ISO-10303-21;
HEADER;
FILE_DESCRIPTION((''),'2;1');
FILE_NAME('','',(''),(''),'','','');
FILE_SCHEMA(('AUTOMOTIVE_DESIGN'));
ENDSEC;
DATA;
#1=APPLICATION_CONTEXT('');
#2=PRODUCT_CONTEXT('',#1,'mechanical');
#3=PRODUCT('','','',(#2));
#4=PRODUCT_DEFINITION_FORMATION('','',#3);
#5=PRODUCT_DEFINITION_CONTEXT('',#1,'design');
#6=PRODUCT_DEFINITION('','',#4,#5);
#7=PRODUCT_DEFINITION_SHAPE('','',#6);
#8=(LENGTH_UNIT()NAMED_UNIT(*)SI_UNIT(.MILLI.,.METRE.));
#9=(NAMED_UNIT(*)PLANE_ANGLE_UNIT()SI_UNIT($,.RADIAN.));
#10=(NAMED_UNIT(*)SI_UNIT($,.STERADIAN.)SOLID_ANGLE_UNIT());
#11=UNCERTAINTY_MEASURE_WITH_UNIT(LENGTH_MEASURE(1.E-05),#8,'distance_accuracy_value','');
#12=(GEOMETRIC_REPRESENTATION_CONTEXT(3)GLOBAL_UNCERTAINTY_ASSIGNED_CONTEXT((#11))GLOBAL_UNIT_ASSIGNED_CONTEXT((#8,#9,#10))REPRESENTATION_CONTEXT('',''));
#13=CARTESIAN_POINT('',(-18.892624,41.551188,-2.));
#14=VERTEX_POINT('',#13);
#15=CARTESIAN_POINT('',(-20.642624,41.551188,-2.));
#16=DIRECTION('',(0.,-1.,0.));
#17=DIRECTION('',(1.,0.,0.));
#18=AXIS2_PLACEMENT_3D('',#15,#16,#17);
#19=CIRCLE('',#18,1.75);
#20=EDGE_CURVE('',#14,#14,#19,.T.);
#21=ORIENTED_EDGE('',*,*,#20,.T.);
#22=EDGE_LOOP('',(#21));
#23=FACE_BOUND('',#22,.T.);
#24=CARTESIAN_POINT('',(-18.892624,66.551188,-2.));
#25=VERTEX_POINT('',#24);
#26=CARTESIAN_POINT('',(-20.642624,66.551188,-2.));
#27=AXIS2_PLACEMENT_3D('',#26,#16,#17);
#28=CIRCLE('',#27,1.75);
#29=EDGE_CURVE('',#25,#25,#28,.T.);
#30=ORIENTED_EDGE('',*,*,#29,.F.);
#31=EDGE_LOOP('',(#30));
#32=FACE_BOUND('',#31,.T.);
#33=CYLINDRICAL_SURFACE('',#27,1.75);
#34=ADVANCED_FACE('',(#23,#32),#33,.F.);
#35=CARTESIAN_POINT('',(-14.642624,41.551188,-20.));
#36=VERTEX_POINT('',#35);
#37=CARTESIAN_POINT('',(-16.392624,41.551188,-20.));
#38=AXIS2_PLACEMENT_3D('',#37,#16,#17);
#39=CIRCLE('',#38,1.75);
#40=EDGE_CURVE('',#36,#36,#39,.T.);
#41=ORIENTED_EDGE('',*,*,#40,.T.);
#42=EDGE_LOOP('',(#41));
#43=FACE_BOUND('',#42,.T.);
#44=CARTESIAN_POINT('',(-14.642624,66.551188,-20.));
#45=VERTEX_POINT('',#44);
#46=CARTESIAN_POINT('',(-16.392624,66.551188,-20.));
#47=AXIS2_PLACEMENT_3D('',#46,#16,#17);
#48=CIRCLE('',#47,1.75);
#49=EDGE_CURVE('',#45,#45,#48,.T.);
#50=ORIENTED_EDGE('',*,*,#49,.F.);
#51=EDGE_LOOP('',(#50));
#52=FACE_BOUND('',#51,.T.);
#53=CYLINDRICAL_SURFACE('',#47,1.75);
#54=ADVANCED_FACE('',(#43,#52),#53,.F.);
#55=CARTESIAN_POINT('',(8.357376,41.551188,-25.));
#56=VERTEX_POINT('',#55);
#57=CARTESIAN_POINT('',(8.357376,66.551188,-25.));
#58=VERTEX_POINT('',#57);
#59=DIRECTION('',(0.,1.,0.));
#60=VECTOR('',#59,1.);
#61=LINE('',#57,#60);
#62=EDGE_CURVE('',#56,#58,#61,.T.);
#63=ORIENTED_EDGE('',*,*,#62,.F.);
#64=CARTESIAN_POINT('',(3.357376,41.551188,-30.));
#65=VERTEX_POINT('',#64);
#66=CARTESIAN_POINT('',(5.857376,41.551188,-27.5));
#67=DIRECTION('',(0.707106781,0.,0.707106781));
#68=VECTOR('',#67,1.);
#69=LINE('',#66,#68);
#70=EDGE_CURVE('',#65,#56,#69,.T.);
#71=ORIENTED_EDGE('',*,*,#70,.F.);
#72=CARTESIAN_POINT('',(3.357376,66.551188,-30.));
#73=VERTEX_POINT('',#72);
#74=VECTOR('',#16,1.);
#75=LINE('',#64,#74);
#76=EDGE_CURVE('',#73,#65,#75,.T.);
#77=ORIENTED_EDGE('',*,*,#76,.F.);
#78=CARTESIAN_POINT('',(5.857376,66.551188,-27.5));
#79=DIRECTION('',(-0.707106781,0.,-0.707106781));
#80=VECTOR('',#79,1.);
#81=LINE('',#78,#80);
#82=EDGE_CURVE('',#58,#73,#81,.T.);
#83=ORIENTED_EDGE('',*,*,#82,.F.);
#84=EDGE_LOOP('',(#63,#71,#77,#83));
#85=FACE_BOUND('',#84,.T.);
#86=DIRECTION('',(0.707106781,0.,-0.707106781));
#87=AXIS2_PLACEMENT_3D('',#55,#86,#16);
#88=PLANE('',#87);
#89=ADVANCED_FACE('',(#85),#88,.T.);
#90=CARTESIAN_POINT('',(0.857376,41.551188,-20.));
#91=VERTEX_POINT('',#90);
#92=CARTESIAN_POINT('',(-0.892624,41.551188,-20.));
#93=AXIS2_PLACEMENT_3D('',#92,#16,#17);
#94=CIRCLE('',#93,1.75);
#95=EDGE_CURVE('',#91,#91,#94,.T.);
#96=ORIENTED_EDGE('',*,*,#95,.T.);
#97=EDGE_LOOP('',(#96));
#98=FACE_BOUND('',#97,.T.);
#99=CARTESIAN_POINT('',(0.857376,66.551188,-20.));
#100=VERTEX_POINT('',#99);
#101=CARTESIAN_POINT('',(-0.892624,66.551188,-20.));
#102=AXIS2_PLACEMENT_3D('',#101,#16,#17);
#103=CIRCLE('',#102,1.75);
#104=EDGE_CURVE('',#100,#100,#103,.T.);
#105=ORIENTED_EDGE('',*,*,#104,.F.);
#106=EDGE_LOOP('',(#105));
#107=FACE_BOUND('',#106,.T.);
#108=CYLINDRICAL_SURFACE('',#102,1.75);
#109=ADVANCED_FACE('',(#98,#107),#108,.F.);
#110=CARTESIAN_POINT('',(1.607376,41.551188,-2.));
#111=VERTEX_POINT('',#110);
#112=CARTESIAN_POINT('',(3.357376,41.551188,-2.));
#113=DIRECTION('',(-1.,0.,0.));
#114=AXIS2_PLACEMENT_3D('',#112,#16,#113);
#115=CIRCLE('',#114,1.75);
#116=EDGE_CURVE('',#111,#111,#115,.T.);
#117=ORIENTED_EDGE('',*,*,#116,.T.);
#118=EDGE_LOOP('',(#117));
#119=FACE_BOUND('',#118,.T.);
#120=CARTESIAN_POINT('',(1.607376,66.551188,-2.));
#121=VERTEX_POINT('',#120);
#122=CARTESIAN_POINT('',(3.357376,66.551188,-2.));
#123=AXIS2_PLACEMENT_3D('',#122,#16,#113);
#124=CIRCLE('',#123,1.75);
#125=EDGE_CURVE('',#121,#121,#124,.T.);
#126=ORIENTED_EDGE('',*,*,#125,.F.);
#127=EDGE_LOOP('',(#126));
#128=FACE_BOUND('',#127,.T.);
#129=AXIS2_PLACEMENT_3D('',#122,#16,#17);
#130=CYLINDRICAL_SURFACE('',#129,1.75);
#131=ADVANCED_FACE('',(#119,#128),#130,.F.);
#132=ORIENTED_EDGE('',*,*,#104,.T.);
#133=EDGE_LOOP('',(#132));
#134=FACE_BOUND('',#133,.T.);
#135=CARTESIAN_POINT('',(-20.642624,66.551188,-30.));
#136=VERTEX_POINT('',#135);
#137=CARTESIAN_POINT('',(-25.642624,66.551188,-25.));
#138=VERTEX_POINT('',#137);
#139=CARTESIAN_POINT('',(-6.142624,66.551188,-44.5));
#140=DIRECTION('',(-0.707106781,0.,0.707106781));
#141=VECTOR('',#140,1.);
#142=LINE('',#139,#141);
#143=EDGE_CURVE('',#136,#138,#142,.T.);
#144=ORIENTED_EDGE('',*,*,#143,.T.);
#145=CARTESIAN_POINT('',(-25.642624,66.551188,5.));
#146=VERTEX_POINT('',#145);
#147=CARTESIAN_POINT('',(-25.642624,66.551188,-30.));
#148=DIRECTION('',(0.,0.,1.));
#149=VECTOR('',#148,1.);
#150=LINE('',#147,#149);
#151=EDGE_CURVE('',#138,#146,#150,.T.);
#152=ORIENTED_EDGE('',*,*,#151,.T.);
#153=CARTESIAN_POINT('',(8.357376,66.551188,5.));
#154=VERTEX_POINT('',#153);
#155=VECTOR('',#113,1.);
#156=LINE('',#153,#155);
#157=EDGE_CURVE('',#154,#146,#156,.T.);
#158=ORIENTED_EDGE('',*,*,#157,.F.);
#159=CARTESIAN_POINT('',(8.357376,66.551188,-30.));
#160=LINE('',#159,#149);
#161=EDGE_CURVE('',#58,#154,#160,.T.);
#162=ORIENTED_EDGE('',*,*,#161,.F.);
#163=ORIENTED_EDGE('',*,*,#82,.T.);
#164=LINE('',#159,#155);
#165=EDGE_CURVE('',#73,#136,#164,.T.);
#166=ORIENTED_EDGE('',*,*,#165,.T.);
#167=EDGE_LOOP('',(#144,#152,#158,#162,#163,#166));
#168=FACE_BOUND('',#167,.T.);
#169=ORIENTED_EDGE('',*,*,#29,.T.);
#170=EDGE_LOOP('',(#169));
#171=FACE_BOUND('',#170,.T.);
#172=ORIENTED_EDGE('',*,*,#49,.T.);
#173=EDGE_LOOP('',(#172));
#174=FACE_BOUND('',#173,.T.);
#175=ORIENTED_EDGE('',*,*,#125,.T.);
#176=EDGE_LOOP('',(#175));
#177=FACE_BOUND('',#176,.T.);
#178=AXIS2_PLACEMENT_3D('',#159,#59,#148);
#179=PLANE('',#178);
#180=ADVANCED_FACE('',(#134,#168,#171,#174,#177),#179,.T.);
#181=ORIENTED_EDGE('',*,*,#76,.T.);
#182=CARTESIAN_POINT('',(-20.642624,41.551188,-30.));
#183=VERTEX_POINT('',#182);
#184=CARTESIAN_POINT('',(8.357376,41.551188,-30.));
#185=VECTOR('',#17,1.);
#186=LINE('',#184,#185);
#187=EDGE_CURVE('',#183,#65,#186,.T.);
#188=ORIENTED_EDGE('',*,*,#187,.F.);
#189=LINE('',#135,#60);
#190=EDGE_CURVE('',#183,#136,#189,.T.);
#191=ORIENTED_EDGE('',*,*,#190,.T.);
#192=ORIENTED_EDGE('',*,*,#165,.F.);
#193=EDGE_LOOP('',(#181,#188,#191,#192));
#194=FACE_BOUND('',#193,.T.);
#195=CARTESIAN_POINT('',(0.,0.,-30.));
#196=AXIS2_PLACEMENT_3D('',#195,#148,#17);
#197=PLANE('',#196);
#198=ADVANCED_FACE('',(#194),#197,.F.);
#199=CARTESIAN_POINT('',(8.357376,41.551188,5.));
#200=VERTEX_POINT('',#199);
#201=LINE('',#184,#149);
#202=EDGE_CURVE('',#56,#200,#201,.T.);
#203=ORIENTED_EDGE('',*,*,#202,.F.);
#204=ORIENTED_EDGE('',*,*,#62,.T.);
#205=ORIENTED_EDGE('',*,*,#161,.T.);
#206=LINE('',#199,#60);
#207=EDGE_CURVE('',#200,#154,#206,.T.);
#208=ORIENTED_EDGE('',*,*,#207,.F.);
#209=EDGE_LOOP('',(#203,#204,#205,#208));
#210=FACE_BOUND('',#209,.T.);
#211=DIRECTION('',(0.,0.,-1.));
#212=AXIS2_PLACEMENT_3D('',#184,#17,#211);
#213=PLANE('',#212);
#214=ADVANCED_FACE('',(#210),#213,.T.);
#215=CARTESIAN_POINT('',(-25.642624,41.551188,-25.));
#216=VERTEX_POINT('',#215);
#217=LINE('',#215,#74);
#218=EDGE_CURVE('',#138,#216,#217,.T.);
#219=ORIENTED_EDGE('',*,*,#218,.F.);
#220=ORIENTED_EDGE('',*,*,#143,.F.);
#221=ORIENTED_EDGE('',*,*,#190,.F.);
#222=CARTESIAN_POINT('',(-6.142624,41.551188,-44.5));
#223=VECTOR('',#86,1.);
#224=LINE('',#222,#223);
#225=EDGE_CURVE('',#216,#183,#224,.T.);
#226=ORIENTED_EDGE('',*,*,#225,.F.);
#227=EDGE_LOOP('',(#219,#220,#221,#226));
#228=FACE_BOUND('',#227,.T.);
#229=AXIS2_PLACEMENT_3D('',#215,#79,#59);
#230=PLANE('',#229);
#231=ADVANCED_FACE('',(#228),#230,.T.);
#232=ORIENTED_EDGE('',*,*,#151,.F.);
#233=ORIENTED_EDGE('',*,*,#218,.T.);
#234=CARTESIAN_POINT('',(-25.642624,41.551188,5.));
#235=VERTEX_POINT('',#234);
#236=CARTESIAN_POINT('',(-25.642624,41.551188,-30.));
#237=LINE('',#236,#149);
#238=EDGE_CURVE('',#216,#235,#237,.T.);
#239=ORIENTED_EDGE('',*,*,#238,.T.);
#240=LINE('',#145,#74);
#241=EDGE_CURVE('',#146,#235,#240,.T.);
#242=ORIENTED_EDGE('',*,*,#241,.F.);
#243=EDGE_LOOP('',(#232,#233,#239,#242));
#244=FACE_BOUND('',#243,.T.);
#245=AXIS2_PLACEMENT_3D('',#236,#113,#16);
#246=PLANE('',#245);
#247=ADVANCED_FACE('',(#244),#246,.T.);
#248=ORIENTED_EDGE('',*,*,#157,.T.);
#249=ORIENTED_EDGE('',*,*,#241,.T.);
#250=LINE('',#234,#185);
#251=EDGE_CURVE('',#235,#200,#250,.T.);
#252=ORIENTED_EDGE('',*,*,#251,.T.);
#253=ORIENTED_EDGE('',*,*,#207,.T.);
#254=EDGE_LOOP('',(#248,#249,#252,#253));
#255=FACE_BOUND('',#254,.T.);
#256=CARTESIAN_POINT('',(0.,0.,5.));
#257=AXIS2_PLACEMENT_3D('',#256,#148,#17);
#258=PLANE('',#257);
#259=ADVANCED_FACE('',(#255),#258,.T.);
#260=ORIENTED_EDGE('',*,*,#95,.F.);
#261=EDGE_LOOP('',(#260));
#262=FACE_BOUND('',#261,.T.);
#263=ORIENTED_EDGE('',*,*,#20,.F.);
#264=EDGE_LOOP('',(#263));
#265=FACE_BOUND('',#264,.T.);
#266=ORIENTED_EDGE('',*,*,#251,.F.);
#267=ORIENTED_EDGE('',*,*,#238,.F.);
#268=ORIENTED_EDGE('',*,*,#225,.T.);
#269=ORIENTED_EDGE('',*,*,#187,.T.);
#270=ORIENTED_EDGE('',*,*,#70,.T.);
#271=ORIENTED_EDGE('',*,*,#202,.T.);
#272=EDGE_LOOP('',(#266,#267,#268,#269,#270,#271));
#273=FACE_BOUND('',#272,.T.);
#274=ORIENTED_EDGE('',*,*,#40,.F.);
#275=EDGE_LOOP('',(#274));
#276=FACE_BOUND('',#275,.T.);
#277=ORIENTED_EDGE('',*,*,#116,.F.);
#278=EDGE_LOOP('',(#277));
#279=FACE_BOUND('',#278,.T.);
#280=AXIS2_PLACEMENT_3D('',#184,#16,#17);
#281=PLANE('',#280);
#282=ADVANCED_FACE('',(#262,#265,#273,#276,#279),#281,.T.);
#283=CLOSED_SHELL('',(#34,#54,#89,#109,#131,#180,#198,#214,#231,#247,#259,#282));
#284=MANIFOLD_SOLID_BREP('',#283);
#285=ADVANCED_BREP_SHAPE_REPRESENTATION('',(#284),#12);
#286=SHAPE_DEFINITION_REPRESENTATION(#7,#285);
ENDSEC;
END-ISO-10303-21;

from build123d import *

# Parameters (mm, degrees)
SKETCH1_W          = 34
SKETCH1_H          = 25
EXTRUDE1_DEPTH     = 30
SKETCH2_W          = 34
SKETCH2_H          = 25
EXTRUDE2_DEPTH     = 5
CHAMFER1_SIZE      = 5
SKETCH3_R          = 1.75
CUT_EXTRUDE1_DEPTH = 47.717707411


with BuildPart() as part:
    # Sketch1 → Extrude1 (new body)
    with BuildSketch(Plane.XY):
        with Locations((-8.642624393, 54.051188485)):
            Rectangle(SKETCH1_W, SKETCH1_H)
    extrude(amount=-EXTRUDE1_DEPTH)

    # Sketch2 → Extrude2 (add)
    with BuildSketch(Plane.XY):
        with Locations((-8.642624393, 54.051188485)):
            Rectangle(SKETCH2_W, SKETCH2_H)
    extrude(amount=EXTRUDE2_DEPTH)

    # Chamfer1
    chamfer1_edges = [part.edges().sort_by_distance(p)[0] for p in [
        (8.357375607, 54.051188485, -30),
        (-25.642624393, 54.051188485, -30),
    ]]
    chamfer(chamfer1_edges, length=CHAMFER1_SIZE)

    # Sketch3 → Cut-Extrude1 (cut, through all)
    with BuildSketch(Plane.XZ.offset(-41.551188485)):
        with Locations((-16.392624393, -20)):
            Circle(SKETCH3_R)
        with Locations((-0.892624393, -20)):
            Circle(SKETCH3_R)
        with Locations((-20.642624393, -2)):
            Circle(SKETCH3_R)
        with Locations(Location((3.357375607, -2, 0), (0, 0, 180))):
            Circle(SKETCH3_R)
    extrude(amount=-CUT_EXTRUDE1_DEPTH, mode=Mode.SUBTRACT)


solid = part.part
